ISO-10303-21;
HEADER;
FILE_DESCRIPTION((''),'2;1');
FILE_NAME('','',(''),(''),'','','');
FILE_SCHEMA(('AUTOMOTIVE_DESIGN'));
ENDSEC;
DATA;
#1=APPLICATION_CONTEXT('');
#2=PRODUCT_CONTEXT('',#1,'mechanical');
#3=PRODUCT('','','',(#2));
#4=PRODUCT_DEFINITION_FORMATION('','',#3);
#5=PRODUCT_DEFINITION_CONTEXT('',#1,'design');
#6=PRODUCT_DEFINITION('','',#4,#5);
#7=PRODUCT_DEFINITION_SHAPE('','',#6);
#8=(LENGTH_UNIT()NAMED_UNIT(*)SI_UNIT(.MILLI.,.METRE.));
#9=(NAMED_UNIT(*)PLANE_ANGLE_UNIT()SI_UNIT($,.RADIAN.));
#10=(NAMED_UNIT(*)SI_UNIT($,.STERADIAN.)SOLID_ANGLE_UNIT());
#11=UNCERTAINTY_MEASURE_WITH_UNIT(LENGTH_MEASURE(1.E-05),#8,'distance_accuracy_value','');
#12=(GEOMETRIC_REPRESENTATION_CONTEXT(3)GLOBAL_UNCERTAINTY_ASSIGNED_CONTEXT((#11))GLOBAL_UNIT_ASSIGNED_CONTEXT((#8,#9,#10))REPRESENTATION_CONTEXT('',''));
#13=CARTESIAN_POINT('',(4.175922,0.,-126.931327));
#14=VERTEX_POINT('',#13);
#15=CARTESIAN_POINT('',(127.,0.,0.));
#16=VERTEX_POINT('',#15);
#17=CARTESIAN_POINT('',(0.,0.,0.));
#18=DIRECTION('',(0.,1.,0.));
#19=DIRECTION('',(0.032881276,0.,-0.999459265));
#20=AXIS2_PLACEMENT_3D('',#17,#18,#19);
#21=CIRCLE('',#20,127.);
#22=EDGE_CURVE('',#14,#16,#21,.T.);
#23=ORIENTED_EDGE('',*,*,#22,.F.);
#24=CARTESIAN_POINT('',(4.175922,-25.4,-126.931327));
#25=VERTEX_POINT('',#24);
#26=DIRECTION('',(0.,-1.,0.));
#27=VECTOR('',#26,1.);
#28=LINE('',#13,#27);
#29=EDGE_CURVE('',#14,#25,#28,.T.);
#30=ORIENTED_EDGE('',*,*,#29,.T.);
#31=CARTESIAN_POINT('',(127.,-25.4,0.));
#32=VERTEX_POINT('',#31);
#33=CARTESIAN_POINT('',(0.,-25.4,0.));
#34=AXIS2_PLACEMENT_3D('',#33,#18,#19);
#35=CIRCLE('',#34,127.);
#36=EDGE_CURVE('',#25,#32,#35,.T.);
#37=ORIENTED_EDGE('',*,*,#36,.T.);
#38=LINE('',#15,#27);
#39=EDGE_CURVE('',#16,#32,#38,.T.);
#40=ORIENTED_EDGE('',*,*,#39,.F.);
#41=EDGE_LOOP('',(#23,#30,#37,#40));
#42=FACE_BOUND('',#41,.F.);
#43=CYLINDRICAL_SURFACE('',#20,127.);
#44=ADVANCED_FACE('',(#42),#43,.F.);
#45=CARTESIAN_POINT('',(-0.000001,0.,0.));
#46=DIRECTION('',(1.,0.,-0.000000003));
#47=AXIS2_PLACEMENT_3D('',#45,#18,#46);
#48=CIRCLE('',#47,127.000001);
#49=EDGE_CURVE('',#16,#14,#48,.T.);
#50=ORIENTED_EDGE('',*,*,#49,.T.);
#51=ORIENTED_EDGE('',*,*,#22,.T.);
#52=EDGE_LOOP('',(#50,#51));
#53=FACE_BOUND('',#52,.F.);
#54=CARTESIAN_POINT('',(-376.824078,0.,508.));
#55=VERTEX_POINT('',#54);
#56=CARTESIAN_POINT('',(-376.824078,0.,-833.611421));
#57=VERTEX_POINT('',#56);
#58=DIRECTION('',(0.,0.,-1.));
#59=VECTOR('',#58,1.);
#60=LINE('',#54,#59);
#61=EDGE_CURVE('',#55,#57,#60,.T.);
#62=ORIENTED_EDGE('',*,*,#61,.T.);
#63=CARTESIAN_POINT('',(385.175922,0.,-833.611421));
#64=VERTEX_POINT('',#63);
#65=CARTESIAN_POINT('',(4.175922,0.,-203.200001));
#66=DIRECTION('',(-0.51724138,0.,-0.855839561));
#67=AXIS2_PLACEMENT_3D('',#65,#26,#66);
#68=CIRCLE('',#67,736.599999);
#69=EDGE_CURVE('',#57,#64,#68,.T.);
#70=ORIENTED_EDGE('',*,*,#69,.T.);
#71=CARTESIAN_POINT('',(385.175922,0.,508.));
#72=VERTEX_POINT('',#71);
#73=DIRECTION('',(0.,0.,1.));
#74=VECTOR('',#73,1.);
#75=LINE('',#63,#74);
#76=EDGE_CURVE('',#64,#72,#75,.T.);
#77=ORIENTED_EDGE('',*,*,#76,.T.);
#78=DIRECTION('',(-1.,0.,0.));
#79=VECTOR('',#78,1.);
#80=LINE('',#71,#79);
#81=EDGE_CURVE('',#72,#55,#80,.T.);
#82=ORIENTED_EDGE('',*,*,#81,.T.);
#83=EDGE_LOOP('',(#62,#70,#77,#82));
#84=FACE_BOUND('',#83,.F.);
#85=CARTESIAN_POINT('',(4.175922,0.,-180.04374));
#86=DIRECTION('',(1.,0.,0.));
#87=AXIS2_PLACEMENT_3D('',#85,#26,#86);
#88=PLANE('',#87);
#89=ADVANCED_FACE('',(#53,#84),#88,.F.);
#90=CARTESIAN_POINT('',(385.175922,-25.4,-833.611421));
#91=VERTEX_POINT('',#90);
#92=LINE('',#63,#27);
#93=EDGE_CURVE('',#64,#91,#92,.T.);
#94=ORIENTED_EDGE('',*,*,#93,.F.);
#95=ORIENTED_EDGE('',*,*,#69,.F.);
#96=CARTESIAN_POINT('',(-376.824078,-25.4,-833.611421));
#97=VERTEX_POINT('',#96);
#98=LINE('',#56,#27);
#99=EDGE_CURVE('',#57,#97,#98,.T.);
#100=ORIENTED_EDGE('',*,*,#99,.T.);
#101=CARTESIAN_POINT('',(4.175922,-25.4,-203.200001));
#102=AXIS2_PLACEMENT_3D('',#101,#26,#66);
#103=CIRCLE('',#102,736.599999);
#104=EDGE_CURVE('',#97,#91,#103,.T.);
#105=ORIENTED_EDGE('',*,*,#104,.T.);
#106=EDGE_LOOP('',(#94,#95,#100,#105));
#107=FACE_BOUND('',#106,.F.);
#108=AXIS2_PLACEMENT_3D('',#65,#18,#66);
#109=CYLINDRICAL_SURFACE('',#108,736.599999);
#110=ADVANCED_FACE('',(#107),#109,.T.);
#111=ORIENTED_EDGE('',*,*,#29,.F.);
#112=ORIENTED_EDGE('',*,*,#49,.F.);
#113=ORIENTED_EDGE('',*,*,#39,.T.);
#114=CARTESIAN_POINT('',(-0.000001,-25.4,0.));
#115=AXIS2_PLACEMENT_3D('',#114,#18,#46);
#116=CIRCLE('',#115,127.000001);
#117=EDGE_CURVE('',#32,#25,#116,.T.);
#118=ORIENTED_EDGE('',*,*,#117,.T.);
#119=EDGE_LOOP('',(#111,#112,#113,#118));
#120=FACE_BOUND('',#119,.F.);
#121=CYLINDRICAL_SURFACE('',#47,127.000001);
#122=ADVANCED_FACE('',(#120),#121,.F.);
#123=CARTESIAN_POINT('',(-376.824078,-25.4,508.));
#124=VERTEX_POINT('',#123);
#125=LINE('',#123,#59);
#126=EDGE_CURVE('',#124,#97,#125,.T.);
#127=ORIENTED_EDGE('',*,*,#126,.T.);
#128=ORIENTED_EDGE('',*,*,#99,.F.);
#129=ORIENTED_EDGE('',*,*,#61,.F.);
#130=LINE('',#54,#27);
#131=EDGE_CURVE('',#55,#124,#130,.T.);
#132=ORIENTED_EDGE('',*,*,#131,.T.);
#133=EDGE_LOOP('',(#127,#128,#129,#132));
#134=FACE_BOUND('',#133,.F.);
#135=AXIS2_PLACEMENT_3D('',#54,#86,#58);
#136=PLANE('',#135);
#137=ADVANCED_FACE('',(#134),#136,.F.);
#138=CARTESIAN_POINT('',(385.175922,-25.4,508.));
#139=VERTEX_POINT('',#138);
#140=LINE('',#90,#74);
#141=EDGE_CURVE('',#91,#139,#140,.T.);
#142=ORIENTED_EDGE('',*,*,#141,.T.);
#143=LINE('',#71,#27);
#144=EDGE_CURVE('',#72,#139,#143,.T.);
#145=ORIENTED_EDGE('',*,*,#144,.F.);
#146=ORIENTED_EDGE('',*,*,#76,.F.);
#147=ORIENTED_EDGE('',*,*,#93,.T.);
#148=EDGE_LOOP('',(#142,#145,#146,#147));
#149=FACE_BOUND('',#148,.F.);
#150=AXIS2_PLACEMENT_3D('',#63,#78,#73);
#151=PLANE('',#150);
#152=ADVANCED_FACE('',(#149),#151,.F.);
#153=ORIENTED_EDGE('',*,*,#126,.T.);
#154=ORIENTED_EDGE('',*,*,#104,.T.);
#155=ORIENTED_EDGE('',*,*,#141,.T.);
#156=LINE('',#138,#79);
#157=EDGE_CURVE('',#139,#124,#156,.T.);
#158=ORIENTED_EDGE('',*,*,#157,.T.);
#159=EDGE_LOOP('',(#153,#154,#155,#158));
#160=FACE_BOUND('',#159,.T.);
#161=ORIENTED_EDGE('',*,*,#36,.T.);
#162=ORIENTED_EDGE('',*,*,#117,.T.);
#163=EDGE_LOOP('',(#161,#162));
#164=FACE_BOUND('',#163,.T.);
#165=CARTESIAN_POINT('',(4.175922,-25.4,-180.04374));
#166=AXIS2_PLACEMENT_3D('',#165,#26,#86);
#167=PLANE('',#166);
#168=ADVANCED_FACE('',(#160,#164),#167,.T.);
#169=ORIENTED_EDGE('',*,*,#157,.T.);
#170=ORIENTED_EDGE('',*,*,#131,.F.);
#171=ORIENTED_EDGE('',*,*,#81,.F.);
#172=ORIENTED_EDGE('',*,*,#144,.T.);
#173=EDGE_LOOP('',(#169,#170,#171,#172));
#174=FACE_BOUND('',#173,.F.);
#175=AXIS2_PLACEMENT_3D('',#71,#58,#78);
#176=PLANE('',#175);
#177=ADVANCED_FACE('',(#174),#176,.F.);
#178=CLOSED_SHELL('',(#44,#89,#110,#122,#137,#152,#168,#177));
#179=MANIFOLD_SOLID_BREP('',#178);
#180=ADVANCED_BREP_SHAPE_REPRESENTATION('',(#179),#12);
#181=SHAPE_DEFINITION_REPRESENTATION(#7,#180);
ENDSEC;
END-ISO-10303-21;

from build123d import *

# Parameters (mm, degrees)
F1_DEPTH = 25.4


with BuildPart() as f1:
    # F0 (on Front) → F1 (new body)
    with BuildSketch(Plane.XZ):
        with BuildLine():
            Line((385.175922, -833.611421), (385.175922, 0))
            Line((385.175922, 0), (385.175922, 508))
            Line((385.175922, 508), (-376.824078, 508))
            Line((-376.824078, 508), (-376.824078, -833.611421))
            ThreePointArc((-376.824078, -833.611421), (4.175922, -939.8), (385.175922, -833.611421))
        make_face()
        with BuildLine():
            ThreePointArc((4.175922, -126.931327), (-91.267032, 88.313809), (127, 0))
            ThreePointArc((127, 0), (91.267032, -88.313809), (4.175922, -126.931327))
        make_face(mode=Mode.SUBTRACT)
    extrude(amount=F1_DEPTH)


solid = f1.part
